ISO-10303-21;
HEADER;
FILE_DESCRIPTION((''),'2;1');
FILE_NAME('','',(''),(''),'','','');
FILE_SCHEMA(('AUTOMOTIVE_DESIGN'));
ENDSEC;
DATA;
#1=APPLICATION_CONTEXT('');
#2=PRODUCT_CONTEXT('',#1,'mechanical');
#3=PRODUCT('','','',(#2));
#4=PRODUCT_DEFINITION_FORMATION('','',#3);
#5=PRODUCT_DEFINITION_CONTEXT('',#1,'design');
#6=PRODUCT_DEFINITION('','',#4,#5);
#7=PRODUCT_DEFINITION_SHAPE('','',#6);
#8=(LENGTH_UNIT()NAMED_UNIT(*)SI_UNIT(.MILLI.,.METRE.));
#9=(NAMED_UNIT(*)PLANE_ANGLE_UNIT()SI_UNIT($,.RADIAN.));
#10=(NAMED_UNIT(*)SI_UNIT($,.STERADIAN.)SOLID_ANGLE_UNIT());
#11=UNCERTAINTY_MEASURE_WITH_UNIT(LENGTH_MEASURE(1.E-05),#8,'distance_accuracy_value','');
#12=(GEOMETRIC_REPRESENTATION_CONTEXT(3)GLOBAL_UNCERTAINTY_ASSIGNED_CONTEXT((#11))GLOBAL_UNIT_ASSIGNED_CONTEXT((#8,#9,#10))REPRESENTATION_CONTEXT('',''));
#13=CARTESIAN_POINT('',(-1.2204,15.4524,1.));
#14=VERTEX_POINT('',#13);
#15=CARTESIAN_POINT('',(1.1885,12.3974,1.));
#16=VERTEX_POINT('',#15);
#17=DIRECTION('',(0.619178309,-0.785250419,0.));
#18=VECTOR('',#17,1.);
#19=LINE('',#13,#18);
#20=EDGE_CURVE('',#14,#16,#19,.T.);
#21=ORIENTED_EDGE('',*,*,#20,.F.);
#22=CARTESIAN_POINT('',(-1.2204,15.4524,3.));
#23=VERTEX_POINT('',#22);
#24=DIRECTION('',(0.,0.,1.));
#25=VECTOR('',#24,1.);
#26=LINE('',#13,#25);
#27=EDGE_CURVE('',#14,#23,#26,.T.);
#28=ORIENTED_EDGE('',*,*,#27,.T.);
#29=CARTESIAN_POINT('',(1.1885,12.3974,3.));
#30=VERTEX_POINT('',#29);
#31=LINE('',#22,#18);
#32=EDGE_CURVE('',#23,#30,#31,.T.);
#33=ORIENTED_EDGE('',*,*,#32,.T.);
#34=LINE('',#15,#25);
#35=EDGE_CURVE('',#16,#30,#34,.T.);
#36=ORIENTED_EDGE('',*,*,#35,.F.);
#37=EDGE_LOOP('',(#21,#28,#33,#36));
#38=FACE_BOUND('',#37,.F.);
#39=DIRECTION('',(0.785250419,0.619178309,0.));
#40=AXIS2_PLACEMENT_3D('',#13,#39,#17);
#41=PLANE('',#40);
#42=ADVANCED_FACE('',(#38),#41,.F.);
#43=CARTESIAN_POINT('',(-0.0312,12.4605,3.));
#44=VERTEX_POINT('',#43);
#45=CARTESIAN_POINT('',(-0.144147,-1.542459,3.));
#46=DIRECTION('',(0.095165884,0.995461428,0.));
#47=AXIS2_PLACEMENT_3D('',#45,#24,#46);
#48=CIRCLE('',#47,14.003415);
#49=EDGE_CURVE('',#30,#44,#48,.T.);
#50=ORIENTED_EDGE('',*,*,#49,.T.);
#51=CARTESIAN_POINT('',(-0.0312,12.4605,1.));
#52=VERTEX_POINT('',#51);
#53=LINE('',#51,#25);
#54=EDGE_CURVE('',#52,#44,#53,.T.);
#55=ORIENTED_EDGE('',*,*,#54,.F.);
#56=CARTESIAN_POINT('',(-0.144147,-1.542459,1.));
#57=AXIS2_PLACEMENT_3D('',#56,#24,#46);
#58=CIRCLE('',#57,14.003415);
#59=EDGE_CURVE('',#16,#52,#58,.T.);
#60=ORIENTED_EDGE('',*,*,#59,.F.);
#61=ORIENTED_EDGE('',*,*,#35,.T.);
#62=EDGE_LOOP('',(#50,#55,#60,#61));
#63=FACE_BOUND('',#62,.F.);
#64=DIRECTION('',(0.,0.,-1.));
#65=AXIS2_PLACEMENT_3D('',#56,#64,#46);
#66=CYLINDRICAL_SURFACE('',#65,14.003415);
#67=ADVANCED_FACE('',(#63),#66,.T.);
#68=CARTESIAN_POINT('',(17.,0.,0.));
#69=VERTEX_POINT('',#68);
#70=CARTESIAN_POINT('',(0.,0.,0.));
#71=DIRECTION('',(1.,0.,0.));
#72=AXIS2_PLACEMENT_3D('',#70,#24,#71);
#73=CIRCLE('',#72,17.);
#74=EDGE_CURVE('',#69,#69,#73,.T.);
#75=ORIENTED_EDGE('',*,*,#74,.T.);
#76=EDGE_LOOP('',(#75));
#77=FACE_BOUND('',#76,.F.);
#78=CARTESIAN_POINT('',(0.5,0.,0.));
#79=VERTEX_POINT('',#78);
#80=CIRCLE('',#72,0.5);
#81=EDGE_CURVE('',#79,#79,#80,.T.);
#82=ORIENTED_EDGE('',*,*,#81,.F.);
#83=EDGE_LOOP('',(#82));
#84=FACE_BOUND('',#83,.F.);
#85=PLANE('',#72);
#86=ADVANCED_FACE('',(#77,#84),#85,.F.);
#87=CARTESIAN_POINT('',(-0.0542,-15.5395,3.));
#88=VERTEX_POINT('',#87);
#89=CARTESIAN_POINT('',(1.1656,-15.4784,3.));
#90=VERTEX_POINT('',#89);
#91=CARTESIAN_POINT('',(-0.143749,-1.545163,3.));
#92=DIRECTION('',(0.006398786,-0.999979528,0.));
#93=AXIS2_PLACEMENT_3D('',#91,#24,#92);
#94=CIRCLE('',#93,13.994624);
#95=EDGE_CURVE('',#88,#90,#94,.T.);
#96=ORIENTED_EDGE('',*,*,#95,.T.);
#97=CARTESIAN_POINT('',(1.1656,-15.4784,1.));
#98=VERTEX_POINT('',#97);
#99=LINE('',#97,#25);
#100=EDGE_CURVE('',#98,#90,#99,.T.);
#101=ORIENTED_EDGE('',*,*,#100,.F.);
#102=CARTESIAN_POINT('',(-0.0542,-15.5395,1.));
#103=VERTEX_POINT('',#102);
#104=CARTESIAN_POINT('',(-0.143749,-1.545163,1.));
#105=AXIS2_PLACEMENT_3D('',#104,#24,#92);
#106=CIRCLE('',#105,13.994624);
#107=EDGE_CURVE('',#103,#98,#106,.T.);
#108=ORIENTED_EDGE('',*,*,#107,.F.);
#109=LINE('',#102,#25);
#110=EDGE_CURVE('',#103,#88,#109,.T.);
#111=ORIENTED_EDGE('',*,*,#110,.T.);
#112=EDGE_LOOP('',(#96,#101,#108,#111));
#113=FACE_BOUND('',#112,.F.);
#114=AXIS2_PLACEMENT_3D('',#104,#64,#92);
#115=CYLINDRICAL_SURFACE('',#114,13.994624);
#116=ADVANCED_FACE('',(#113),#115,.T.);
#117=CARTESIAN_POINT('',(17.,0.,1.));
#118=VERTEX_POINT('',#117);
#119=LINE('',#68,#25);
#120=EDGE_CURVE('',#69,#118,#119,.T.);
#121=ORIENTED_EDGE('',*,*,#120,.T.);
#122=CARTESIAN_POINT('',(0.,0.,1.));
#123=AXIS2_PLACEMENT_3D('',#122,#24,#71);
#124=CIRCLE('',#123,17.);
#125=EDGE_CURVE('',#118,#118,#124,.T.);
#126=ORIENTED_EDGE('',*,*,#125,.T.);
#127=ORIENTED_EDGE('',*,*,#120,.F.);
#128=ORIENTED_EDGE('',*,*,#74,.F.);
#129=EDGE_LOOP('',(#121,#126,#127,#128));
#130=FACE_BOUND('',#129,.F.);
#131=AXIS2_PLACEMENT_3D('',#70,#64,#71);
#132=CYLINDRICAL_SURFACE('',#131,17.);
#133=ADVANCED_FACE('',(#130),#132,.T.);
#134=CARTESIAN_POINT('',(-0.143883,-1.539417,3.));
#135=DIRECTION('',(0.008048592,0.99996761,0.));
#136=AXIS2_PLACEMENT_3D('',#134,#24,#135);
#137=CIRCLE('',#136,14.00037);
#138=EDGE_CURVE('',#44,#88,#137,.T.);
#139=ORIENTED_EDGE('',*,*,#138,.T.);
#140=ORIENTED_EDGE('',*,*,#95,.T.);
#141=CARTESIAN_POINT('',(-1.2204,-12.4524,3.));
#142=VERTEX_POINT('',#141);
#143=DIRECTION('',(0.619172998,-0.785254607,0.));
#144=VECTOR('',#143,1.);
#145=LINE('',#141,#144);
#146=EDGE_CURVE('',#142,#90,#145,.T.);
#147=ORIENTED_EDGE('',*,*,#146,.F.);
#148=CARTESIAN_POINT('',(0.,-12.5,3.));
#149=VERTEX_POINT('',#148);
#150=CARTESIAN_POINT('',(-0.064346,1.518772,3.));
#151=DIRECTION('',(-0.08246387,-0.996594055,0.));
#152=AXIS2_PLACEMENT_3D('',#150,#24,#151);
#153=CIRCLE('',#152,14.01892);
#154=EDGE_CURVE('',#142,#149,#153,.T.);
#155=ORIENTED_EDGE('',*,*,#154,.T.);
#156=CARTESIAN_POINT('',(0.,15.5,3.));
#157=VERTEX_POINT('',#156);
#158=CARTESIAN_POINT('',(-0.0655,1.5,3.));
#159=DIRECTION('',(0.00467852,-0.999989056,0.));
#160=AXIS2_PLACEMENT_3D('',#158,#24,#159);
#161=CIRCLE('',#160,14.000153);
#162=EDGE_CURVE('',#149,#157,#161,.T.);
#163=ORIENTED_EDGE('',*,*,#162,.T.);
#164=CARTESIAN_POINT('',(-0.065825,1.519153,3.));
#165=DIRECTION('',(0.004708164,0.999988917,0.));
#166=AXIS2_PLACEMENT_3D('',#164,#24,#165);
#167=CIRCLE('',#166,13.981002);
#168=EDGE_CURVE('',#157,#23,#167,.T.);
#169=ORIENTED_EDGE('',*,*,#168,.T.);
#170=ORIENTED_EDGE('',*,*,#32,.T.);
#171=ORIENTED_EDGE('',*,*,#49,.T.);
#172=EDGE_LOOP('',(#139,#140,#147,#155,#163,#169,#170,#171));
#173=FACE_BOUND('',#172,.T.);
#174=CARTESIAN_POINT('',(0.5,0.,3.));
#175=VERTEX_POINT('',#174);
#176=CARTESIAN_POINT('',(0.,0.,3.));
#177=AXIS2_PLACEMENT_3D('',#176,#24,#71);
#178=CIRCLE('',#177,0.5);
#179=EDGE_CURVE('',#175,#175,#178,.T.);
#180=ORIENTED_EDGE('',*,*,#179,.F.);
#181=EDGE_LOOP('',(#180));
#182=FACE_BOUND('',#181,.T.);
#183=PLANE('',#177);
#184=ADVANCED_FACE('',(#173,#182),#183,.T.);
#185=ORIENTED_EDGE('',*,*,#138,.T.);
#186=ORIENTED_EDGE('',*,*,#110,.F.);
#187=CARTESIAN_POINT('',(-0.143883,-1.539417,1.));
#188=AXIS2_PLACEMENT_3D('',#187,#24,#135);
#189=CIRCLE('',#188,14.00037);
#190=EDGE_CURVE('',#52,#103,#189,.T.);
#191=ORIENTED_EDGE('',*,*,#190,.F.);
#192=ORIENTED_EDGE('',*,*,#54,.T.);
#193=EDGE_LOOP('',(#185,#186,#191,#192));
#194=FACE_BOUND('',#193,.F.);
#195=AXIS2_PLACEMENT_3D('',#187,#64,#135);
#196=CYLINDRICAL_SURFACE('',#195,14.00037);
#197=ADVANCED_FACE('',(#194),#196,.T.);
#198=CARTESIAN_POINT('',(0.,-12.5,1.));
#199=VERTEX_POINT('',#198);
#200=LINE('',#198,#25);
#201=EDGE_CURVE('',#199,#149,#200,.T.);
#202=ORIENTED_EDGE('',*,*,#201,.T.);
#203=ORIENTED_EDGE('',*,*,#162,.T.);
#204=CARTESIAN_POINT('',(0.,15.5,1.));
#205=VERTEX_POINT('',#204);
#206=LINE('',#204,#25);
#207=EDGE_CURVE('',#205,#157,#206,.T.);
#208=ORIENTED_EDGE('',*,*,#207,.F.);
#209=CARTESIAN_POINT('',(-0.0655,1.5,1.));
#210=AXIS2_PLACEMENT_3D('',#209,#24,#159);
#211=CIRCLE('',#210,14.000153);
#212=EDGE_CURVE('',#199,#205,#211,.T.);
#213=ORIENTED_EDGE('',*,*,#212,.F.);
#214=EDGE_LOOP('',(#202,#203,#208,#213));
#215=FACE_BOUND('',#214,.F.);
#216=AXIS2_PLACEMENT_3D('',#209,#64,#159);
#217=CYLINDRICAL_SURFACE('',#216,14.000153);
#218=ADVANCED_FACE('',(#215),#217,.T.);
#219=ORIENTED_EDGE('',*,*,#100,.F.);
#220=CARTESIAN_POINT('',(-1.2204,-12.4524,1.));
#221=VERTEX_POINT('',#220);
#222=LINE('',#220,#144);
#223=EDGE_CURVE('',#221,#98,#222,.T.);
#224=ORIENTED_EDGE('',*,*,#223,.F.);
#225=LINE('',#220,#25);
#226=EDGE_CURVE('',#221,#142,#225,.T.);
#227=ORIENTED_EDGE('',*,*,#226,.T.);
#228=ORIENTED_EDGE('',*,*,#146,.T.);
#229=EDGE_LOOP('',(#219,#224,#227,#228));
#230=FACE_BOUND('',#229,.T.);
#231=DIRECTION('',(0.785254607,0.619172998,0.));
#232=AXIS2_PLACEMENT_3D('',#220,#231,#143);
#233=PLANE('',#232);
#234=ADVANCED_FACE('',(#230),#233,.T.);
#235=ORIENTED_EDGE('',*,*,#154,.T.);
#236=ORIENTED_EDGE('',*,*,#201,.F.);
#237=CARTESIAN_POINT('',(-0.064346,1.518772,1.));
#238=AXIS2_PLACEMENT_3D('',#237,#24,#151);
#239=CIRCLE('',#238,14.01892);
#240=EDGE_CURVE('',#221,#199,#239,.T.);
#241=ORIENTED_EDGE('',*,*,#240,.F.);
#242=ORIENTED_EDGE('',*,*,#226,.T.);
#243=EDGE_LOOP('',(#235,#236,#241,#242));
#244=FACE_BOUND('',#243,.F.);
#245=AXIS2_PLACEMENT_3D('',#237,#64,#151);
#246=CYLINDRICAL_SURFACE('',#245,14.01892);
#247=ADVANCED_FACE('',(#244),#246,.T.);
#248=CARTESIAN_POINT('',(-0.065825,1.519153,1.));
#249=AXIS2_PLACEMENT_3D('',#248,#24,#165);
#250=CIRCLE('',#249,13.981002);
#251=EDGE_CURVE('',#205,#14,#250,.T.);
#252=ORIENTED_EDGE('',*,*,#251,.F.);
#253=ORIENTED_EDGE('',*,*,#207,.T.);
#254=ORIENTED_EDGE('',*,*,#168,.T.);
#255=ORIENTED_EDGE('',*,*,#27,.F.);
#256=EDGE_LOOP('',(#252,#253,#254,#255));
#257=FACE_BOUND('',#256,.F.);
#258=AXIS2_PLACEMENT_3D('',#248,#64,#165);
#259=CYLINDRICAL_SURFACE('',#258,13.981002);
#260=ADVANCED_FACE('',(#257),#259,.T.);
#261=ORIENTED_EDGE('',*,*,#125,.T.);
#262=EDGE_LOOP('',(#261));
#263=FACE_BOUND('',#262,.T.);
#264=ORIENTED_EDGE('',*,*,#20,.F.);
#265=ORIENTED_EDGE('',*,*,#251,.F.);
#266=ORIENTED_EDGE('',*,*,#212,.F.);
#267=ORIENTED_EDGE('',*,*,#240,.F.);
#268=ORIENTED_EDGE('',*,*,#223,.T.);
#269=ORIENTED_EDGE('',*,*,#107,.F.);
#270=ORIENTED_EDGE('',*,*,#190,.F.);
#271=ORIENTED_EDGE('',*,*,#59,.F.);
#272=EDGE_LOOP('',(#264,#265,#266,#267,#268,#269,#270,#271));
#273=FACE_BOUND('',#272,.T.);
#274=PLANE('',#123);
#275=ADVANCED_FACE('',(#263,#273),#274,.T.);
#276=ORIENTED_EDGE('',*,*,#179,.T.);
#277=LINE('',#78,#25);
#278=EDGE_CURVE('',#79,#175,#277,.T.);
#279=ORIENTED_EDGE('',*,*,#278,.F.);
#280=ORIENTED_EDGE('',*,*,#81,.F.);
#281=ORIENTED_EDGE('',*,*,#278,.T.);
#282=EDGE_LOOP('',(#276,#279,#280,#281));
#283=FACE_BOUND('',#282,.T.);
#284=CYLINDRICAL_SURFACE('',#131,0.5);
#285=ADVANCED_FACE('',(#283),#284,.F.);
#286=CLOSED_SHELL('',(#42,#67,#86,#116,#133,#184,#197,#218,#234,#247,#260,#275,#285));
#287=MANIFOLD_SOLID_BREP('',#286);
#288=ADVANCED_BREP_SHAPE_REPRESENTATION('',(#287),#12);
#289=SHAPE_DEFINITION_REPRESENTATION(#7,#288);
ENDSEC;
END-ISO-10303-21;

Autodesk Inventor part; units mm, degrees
ref_plane "YZ Plane" through (0, 0, 0) normal (1, 0, 0) x (0, 1, 0)
ref_plane "XZ Plane" through (0, 0, 0) normal (0, 1, 0) x (-1, 0, 0)
ref_plane "XY Plane" through (0, 0, 0) normal (0, 0, 1) x (1, 0, 0)
sketch "Boceto1" plane through (0, 0, 0) normal (0, 0, 1) x (1, 0, 0)
  circle A0 centre (0, 0) radius 17
  circle A1 centre (0, 0) radius 0.5
  dimension "d0" = 34
  dimension "d1" = 1
extrude "Extrusión1" add sketch "Boceto1" along normal blind 1
sketch "Boceto2" plane through (0, 0, 1) normal (0, 0, 1) x (1, 0, 0)
  circle A0 centre (0, 0) radius 0.5 projected
  arc A1 (0, -12.5) -> (0, 15.5) centre (-0.0655, 1.5) ccw
  arc A2 (-0.0312, 12.4605) -> (-0.0542, -15.5395) centre (-0.1439, -1.5394) ccw
  arc A3 (-0.0542, -15.5395) -> (1.1656, -15.4784) centre (-0.1439, -1.5398) ccw
  line L0 (-0.0542, -15.5395) -> (-0.1439, -1.5398) construction
  line L1 (1.1656, -15.4784) -> (-0.1439, -1.5398) construction
  arc A4 (-1.2204, -12.4524) -> (0, -12.5) centre (-0.0655, 1.4998) ccw
  line L2 (0, -12.5) -> (-0.0655, 1.4998) construction
  line L3 (-1.2204, -12.4524) -> (-0.0655, 1.4998) construction
  line L4 (-1.2204, -12.4524) -> (1.1656, -15.4784)
  arc A5 (1.1885, 12.3974) -> (-0.0312, 12.4605) centre (-0.1439, -1.5391) ccw
  line L5 (-0.0312, 12.4605) -> (-0.1439, -1.5391) construction
  line L6 (1.1885, 12.3974) -> (-0.1439, -1.5391) construction
  arc A6 (0, 15.5) -> (-1.2204, 15.4524) centre (-0.0655, 1.5002) ccw
  line L7 (0, 15.5) -> (-0.0655, 1.5002) construction
  line L8 (-1.2204, 15.4524) -> (-0.0655, 1.5002) construction
  line L9 (-1.2204, 15.4524) -> (1.1885, 12.3974)
  dimension "d4" = 28
  dimension "d5" = 28
  dimension "d6" = 14
  dimension "d7" = 5
  dimension "d8" = 14
  dimension "d9" = 5
  dimension "d10" = 14
  dimension "d11" = 5
  dimension "d12" = 14
  dimension "d13" = 5
extrude "Extrusión2" add sketch "Boceto2" along normal blind 2
equation "\"Radio_pliegue\" = Grosor"
equation "\"Anchura_desahogo_plegado\" = Grosor"
equation "\"Profundidad_desahogo_plegado\" = 0.5 * Grosor"
equation "\"Tamaño_destalonado\" = 4 * Grosor"
equation "\"Remanente_mínimo\" = 2 * Grosor"
equation "\"Radiodetransición\" = Radio_pliegue"
equation "\"Tamaño_de_radio_de_Jacobi\" = Radio_pliegue"
equation "\"TamañoSeparación\" = Grosor"
equation "\"Grosor\" = 0.5"
properties part number "Rueda superior" material "Por defecto"
